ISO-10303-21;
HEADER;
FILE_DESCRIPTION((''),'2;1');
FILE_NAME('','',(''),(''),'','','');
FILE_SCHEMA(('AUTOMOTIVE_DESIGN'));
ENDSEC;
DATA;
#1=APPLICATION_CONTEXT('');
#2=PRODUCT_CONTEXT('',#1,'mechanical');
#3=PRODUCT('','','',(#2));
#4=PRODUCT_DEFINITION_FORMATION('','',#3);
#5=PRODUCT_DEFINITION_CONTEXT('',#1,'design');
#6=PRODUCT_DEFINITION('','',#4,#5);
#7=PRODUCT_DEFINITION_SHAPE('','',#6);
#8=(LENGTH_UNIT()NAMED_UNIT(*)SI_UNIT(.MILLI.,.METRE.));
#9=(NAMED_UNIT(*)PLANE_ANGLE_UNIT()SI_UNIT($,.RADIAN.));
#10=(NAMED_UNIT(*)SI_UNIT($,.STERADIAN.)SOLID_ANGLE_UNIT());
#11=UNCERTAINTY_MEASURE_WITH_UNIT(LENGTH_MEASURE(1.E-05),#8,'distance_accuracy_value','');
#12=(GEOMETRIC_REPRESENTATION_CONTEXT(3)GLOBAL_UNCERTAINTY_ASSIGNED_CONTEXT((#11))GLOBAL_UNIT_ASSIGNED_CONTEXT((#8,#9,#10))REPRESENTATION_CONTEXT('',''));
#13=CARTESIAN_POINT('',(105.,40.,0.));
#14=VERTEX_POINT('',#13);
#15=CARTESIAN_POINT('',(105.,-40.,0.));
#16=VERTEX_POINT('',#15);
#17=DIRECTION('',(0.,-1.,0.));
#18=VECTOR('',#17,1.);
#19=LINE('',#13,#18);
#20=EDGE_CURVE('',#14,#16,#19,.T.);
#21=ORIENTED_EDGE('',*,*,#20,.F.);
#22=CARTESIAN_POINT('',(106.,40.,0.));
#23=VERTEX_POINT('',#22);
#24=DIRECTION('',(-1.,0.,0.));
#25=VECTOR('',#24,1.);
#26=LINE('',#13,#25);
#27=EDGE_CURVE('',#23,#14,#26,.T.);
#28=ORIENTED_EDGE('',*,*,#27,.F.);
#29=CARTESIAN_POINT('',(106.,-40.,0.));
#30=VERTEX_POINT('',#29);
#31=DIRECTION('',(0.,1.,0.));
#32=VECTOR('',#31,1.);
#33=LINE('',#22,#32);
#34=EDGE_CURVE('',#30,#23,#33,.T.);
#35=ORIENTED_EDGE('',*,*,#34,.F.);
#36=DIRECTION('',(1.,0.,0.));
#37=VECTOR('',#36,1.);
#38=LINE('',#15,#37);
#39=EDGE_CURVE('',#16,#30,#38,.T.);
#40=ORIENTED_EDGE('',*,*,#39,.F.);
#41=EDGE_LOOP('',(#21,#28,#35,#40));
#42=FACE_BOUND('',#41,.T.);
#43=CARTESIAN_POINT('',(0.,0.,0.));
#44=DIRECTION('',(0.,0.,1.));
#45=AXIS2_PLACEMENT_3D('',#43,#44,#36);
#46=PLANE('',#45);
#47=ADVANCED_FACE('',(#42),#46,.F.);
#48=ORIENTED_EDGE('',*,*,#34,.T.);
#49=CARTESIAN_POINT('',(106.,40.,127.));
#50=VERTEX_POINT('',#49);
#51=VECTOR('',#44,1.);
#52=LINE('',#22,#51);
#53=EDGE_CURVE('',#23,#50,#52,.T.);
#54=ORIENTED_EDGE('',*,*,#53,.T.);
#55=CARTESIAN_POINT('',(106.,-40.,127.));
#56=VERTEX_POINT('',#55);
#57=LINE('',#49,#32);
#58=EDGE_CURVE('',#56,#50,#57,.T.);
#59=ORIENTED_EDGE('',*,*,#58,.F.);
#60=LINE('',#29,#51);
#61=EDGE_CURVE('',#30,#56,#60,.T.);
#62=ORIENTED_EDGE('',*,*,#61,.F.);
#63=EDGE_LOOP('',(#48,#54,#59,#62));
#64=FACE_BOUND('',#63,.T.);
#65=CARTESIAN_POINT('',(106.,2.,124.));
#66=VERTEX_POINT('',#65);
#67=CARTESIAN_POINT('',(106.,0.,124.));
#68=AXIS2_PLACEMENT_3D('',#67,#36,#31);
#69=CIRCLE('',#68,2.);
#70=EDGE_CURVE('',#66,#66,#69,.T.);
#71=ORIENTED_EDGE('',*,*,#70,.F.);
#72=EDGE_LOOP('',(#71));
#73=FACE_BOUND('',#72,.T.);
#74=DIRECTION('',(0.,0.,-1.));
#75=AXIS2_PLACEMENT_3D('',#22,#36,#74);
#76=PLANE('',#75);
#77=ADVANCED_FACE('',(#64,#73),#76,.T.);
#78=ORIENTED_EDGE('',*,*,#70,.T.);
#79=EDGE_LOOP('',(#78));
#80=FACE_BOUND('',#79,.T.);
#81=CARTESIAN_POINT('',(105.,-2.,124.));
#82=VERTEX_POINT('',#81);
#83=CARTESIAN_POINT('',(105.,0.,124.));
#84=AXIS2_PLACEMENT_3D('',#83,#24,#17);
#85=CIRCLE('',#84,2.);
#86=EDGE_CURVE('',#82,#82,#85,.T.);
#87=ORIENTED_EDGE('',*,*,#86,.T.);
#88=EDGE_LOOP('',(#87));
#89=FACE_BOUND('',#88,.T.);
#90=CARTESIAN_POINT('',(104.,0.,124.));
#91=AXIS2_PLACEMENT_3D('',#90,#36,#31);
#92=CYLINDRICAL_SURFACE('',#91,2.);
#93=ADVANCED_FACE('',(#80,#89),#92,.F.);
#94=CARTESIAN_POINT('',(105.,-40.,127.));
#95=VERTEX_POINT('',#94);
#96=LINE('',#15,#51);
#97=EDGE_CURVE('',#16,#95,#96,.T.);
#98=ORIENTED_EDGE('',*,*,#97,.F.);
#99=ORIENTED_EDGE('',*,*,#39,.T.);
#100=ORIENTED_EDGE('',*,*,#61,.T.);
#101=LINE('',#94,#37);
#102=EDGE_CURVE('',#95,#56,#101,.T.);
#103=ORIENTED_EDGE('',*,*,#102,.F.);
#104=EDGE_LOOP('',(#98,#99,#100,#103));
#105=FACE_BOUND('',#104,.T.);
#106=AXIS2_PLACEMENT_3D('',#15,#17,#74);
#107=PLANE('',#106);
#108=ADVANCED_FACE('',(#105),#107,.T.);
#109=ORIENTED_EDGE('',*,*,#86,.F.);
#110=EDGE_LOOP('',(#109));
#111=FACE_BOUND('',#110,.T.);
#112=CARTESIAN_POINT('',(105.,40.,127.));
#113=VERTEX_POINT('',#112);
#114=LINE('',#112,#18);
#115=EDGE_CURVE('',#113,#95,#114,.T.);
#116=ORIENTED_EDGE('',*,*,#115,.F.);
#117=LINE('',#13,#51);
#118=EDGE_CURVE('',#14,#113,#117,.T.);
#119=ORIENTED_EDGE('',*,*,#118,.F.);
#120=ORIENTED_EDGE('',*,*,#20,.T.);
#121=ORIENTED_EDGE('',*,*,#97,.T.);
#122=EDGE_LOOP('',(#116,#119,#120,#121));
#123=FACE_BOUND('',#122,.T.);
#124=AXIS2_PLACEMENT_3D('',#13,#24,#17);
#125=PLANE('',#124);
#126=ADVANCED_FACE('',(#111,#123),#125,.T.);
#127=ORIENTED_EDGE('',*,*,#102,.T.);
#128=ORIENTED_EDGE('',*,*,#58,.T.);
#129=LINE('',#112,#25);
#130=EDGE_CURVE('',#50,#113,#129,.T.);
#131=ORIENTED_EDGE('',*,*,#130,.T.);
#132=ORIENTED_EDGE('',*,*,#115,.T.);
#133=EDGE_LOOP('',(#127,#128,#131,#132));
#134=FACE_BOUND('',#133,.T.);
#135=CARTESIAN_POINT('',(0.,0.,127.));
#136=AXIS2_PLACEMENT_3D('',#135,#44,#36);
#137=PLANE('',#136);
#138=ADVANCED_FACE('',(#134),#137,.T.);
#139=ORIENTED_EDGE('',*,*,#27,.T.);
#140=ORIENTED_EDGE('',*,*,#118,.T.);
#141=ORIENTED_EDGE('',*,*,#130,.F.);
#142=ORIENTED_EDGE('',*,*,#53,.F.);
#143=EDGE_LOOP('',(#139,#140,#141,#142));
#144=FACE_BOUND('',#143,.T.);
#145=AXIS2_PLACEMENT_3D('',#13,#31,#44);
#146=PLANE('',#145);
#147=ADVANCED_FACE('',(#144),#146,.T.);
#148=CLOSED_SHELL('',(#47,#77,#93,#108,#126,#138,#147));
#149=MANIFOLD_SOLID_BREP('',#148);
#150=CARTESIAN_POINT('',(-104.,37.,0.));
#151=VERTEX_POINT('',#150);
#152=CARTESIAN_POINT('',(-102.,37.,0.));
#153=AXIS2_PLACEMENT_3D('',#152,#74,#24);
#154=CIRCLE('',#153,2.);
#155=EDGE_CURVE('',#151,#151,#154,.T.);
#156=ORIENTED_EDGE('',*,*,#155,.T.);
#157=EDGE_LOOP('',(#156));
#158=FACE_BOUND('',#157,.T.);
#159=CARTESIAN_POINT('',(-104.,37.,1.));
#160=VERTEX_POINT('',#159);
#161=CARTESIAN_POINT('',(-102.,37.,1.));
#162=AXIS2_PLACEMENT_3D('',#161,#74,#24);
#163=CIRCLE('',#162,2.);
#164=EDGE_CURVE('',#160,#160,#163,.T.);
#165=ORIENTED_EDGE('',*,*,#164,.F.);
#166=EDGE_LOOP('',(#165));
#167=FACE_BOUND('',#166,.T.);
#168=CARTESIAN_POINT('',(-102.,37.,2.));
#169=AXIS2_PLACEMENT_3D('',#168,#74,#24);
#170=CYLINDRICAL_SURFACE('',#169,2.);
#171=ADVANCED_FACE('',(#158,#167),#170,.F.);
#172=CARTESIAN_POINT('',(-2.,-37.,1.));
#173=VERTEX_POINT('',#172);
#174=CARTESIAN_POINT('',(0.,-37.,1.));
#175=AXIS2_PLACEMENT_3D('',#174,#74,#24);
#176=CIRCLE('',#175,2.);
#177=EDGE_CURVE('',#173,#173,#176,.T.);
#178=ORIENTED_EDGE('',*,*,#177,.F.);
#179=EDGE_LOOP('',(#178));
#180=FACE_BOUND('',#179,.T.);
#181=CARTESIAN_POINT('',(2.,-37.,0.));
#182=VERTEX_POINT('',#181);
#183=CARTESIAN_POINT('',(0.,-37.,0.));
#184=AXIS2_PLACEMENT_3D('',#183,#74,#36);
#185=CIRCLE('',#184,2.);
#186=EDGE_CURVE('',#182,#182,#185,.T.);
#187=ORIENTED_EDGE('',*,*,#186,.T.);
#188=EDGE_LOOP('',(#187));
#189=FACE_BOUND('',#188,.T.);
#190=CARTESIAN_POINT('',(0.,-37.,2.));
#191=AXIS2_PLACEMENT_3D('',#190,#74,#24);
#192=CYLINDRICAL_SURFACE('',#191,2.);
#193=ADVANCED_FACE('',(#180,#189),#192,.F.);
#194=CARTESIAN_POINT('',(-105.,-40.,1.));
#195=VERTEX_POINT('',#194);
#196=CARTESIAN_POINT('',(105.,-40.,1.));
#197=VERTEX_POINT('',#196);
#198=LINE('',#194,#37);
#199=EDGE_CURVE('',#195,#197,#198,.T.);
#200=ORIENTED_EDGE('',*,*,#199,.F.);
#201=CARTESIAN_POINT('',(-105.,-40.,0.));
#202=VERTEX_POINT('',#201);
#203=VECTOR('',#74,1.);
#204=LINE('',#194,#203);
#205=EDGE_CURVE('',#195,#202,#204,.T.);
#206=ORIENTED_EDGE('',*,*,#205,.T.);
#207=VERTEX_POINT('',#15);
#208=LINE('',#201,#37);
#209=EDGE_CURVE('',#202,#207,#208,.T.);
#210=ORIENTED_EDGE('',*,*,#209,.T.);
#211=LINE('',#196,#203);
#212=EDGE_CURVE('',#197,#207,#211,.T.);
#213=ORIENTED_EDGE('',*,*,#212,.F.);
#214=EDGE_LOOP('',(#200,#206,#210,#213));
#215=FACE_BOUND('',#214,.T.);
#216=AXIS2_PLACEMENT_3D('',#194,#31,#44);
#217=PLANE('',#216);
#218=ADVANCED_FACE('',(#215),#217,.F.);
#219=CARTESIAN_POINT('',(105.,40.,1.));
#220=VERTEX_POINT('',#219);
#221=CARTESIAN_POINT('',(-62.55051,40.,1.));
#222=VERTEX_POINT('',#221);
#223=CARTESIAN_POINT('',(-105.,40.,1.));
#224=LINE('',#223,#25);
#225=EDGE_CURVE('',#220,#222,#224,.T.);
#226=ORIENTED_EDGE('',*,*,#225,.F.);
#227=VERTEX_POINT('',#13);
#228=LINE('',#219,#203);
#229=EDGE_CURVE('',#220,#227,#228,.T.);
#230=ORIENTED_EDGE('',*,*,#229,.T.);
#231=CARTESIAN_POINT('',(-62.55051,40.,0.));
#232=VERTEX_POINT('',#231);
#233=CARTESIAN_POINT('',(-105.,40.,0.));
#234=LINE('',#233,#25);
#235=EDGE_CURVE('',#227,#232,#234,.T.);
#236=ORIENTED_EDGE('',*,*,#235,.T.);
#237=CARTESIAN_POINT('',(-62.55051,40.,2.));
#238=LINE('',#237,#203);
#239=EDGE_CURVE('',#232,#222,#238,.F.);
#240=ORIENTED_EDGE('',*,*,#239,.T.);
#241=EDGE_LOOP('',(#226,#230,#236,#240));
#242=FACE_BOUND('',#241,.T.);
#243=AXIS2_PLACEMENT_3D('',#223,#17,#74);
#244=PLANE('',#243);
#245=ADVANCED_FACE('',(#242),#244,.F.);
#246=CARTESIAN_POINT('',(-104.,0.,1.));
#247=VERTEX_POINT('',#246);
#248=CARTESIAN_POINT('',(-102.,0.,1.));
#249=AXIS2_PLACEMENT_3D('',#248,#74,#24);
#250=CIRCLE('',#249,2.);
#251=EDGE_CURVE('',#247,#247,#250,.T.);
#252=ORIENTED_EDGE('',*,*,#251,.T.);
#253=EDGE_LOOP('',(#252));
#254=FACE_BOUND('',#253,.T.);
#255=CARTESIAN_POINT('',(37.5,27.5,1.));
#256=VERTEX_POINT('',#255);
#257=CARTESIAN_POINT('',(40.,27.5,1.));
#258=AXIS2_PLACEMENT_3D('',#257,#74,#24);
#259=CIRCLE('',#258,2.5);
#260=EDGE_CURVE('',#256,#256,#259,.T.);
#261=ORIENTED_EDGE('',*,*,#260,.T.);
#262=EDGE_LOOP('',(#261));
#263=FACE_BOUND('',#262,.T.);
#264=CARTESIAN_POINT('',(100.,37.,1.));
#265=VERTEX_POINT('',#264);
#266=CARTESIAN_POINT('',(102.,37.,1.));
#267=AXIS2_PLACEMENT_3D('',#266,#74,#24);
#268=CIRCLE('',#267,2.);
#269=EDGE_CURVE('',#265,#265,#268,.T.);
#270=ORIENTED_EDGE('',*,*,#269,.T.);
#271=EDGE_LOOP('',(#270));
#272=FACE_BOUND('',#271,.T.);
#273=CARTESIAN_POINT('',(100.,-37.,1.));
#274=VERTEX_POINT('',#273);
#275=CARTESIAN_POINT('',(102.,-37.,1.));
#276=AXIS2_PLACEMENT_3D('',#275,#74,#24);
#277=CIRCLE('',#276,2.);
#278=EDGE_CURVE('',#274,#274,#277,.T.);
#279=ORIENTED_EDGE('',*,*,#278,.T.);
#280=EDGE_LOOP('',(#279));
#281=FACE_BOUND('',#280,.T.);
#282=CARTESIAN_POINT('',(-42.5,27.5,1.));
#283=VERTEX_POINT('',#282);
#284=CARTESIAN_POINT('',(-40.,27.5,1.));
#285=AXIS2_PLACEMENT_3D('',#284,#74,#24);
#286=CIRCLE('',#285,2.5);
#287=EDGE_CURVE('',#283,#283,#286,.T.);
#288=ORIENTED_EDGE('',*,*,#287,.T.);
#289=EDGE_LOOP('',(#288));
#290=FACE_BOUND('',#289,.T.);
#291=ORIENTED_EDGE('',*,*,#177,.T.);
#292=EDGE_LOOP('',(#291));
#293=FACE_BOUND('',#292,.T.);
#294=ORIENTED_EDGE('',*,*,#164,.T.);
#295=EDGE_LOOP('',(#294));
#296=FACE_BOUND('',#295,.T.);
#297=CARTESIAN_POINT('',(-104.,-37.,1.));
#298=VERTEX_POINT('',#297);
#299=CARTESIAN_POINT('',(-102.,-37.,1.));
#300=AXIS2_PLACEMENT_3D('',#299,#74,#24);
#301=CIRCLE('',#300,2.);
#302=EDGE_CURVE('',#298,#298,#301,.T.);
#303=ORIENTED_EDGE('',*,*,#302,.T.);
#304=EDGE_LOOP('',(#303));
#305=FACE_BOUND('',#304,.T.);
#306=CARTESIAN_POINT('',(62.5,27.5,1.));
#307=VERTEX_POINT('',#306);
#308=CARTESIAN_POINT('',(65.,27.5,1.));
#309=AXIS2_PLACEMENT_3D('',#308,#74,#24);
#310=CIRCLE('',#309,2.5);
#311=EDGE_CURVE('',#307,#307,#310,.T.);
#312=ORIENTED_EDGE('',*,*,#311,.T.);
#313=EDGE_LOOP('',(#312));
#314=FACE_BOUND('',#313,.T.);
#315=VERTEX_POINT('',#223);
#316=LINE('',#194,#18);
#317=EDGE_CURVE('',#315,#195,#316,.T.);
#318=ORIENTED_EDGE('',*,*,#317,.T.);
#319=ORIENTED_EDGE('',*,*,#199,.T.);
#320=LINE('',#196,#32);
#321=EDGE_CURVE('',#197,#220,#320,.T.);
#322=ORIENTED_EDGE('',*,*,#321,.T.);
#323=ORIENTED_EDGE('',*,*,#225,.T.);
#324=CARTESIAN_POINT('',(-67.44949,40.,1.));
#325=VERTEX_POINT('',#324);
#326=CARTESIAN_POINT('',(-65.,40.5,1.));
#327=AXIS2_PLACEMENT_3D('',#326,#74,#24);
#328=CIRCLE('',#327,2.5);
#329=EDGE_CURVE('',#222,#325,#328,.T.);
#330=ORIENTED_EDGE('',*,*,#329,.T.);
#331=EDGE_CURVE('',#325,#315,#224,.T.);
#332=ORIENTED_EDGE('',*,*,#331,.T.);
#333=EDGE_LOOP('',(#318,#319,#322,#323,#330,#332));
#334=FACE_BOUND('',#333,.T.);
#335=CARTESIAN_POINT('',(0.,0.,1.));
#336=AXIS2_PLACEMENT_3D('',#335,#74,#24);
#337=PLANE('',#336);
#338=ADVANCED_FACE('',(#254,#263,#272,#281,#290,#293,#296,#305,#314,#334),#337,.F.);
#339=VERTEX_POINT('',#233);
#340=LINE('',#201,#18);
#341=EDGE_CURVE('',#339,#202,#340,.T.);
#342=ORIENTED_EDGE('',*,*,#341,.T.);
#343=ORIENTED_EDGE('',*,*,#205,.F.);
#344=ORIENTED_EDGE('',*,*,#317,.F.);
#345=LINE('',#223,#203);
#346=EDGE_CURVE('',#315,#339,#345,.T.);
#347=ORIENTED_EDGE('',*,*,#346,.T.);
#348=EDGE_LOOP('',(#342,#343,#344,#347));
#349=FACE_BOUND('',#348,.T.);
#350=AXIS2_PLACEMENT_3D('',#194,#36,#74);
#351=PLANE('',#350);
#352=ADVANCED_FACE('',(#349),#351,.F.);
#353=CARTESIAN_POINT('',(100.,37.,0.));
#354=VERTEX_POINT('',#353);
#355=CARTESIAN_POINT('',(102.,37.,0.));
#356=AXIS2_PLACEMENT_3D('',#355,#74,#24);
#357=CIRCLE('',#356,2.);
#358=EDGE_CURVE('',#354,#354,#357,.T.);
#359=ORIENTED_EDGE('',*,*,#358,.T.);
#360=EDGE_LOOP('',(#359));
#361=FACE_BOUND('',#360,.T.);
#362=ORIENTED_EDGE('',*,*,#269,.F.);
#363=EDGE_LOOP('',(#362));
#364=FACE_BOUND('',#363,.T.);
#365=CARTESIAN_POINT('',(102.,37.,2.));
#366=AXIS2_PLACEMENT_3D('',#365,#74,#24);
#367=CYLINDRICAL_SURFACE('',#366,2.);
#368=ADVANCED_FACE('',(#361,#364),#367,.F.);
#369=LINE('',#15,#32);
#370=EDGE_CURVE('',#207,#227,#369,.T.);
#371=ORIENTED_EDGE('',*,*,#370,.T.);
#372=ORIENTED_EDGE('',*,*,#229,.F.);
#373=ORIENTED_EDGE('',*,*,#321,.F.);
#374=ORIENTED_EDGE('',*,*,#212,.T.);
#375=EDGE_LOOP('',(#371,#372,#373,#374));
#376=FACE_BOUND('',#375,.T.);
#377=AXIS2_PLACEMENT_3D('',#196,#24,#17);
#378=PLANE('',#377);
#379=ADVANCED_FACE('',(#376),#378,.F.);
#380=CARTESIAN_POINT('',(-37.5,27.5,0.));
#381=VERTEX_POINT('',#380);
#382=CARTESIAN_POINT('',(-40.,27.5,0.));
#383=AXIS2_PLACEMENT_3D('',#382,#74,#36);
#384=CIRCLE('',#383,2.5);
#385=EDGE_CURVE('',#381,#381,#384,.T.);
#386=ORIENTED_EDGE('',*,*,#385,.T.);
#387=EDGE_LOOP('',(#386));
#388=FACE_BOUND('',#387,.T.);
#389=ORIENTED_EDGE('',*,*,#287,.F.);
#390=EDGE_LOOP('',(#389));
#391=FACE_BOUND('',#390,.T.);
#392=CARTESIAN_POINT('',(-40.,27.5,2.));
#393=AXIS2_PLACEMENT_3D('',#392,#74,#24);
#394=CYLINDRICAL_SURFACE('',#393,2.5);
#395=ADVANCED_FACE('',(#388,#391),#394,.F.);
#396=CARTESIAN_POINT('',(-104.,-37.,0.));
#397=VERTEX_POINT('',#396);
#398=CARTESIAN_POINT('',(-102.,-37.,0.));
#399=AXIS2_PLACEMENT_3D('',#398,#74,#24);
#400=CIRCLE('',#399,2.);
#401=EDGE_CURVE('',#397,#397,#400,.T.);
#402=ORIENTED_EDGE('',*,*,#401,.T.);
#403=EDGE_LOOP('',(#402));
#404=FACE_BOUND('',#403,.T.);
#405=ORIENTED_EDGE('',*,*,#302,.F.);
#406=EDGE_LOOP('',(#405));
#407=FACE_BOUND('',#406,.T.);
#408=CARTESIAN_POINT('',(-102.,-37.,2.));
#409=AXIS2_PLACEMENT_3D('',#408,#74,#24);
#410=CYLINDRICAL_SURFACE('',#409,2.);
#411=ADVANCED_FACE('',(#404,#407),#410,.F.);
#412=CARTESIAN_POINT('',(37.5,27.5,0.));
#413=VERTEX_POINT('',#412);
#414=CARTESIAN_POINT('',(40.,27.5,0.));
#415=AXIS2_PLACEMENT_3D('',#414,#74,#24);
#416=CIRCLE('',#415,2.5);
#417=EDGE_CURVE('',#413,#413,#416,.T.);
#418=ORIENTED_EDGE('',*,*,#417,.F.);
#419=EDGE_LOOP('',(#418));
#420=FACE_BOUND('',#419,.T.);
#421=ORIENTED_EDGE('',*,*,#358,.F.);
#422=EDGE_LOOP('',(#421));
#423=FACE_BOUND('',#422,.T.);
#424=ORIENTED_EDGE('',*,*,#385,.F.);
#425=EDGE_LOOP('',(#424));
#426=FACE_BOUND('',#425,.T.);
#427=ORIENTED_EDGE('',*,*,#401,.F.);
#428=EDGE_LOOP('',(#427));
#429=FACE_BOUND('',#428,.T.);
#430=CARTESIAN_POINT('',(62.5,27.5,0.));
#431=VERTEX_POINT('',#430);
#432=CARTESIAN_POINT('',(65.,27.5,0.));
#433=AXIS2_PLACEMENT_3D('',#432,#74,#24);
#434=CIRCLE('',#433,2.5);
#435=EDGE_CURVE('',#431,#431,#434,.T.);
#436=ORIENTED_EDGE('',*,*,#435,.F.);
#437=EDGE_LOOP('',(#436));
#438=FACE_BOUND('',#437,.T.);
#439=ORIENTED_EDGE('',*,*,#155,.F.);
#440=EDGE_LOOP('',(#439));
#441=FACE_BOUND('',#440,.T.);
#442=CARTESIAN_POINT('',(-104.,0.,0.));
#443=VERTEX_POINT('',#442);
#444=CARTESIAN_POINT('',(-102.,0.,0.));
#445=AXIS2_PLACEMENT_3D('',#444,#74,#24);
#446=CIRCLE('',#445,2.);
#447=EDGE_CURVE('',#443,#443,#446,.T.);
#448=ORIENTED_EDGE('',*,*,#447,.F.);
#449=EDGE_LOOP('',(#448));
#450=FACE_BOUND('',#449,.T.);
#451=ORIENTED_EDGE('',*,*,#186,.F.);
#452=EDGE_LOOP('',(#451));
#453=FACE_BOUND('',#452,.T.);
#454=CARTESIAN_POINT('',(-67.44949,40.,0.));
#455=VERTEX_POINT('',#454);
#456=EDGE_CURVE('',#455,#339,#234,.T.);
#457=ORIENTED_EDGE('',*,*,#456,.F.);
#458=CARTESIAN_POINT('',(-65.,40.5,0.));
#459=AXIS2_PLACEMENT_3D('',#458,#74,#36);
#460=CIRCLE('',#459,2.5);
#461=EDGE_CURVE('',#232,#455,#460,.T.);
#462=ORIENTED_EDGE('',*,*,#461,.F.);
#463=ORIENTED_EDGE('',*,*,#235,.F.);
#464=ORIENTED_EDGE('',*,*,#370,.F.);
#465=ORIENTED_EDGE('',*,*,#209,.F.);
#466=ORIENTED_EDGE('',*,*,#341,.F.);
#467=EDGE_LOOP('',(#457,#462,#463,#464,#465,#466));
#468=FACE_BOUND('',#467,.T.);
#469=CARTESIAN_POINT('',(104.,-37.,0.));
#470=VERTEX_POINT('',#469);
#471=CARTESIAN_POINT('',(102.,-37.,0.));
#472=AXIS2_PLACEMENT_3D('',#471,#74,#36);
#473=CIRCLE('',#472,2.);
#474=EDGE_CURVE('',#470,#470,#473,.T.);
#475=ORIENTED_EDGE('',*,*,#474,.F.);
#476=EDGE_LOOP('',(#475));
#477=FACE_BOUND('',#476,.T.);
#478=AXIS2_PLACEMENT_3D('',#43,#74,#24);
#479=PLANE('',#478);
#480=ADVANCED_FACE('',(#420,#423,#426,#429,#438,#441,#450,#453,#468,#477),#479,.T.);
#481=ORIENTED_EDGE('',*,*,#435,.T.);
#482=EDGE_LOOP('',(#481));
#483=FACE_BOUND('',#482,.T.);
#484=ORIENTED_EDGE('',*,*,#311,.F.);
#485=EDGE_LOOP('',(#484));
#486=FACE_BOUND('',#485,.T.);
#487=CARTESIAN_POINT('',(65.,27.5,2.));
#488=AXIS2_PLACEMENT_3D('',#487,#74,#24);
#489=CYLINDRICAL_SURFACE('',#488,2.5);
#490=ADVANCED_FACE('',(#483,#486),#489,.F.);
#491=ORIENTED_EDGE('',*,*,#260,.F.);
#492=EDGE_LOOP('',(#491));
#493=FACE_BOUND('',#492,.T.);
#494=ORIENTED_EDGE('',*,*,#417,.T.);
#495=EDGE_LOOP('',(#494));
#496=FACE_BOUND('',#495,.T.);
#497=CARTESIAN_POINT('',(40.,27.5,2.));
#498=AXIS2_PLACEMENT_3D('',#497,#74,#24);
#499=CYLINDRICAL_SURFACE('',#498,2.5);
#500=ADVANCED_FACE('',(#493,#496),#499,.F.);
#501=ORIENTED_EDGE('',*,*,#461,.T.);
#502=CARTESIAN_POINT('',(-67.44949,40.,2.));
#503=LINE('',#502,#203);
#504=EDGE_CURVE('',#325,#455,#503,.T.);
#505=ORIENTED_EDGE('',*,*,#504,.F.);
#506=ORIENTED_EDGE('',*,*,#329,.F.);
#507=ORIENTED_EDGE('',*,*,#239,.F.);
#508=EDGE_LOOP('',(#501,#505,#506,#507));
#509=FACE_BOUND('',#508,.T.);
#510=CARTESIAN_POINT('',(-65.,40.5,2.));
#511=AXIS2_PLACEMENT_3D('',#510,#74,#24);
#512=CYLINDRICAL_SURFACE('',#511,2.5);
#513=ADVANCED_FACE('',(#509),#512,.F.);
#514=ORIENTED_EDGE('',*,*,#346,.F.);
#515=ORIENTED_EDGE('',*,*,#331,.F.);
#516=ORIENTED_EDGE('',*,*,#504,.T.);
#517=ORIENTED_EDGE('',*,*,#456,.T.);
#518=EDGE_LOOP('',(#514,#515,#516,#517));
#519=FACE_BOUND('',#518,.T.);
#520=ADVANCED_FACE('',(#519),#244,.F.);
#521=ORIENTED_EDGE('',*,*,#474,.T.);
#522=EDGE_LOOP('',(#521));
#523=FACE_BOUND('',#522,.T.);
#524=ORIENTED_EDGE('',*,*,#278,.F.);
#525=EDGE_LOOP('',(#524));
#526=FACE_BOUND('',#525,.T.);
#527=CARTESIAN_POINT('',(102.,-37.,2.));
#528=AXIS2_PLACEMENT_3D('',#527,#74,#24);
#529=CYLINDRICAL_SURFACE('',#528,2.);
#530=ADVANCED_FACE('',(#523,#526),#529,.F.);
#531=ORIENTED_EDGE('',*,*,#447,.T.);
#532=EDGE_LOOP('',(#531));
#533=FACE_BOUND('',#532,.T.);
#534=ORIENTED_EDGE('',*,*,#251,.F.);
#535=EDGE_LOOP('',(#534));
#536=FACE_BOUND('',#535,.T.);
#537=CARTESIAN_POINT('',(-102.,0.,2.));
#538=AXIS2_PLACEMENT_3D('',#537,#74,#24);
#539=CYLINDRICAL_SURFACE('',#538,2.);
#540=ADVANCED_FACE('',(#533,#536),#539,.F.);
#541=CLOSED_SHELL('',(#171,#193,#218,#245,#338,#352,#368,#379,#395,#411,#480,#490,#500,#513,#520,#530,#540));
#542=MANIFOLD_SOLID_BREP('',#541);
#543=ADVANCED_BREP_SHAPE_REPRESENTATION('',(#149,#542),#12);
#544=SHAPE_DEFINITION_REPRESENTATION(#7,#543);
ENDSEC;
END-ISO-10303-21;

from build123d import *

# Parameters (mm, degrees)
SKETCH_1_W           = 210
SKETCH_1_H           = 80
EXTRUDE_1_DEPTH      = 1
SKETCH_2_W           = 1
SKETCH_2_H           = 80
EXTRUDE_2_DEPTH      = 126
EXTRUDE_2_DEPTH_BACK = 1
SKETCH_3_R           = 2
CUT_EXTRUDE_1_DEPTH  = 2
SKETCH_5_R           = 2
CUT_EXTRUDE_2_DEPTH  = 2
SKETCH_6_R           = 2.5
CUT_EXTRUDE_3_DEPTH  = 2


with BuildPart() as part:
    # 草图1 → 凸台-拉伸1 (new body)
    with BuildSketch(Plane.XY):
        Rectangle(SKETCH_1_W, SKETCH_1_H)
    extrude(amount=EXTRUDE_1_DEPTH)

    # 草图3 → 切除-拉伸1 (cut)
    with BuildSketch(Plane(origin=(0, 0, 0), x_dir=(-1, 0, 0), z_dir=(0, 0, -1))):
        with Locations((102, 0)):
            Circle(SKETCH_3_R)
        with Locations((102, 37)):
            Circle(SKETCH_3_R)
        with Locations((102, -37)):
            Circle(SKETCH_3_R)
        with Locations((-102, 37)):
            Circle(SKETCH_3_R)
        with Locations((0, -37)):
            Circle(SKETCH_3_R)
        with Locations((-102, -37)):
            Circle(SKETCH_3_R)
    extrude(amount=-CUT_EXTRUDE_1_DEPTH, mode=Mode.SUBTRACT)

    # 草图6 → 切除-拉伸3 (cut)
    with BuildSketch(Plane(origin=(0, 0, 0), x_dir=(-1, 0, 0), z_dir=(0, 0, -1))):
        with Locations((-65, 27.5)):
            Circle(SKETCH_6_R)
        with Locations((-40, 27.5)):
            Circle(SKETCH_6_R)
        with Locations((40, 27.5)):
            Circle(SKETCH_6_R)
        with Locations((65, 40.5)):
            Circle(SKETCH_6_R)
    extrude(amount=-CUT_EXTRUDE_3_DEPTH, mode=Mode.SUBTRACT)


with BuildPart() as body_2:
    # 草图2 → 凸台-拉伸2 (new body, two sides)
    with BuildSketch(Plane.XY.offset(1)) as extrude_2_sk:
        with Locations((105.5, 0)):
            Rectangle(SKETCH_2_W, SKETCH_2_H)
    extrude(amount=EXTRUDE_2_DEPTH)
    extrude(extrude_2_sk.sketch, amount=-EXTRUDE_2_DEPTH_BACK)

    # 草图5 → 切除-拉伸2 (cut)
    with BuildSketch(Plane(origin=(106, 0, 0), x_dir=(0, 0, -1), z_dir=(1, 0, 0))):
        with Locations((-124, 50)):
            Circle(SKETCH_5_R)
        with Locations((-64, -50)):
            Circle(SKETCH_5_R)
        with Locations((-4, -50)):
            Circle(SKETCH_5_R)
        with Locations((-124, 0)):
            Circle(SKETCH_5_R)
    extrude(amount=-CUT_EXTRUDE_2_DEPTH, mode=Mode.SUBTRACT)


solid = Compound([part.part, body_2.part])
